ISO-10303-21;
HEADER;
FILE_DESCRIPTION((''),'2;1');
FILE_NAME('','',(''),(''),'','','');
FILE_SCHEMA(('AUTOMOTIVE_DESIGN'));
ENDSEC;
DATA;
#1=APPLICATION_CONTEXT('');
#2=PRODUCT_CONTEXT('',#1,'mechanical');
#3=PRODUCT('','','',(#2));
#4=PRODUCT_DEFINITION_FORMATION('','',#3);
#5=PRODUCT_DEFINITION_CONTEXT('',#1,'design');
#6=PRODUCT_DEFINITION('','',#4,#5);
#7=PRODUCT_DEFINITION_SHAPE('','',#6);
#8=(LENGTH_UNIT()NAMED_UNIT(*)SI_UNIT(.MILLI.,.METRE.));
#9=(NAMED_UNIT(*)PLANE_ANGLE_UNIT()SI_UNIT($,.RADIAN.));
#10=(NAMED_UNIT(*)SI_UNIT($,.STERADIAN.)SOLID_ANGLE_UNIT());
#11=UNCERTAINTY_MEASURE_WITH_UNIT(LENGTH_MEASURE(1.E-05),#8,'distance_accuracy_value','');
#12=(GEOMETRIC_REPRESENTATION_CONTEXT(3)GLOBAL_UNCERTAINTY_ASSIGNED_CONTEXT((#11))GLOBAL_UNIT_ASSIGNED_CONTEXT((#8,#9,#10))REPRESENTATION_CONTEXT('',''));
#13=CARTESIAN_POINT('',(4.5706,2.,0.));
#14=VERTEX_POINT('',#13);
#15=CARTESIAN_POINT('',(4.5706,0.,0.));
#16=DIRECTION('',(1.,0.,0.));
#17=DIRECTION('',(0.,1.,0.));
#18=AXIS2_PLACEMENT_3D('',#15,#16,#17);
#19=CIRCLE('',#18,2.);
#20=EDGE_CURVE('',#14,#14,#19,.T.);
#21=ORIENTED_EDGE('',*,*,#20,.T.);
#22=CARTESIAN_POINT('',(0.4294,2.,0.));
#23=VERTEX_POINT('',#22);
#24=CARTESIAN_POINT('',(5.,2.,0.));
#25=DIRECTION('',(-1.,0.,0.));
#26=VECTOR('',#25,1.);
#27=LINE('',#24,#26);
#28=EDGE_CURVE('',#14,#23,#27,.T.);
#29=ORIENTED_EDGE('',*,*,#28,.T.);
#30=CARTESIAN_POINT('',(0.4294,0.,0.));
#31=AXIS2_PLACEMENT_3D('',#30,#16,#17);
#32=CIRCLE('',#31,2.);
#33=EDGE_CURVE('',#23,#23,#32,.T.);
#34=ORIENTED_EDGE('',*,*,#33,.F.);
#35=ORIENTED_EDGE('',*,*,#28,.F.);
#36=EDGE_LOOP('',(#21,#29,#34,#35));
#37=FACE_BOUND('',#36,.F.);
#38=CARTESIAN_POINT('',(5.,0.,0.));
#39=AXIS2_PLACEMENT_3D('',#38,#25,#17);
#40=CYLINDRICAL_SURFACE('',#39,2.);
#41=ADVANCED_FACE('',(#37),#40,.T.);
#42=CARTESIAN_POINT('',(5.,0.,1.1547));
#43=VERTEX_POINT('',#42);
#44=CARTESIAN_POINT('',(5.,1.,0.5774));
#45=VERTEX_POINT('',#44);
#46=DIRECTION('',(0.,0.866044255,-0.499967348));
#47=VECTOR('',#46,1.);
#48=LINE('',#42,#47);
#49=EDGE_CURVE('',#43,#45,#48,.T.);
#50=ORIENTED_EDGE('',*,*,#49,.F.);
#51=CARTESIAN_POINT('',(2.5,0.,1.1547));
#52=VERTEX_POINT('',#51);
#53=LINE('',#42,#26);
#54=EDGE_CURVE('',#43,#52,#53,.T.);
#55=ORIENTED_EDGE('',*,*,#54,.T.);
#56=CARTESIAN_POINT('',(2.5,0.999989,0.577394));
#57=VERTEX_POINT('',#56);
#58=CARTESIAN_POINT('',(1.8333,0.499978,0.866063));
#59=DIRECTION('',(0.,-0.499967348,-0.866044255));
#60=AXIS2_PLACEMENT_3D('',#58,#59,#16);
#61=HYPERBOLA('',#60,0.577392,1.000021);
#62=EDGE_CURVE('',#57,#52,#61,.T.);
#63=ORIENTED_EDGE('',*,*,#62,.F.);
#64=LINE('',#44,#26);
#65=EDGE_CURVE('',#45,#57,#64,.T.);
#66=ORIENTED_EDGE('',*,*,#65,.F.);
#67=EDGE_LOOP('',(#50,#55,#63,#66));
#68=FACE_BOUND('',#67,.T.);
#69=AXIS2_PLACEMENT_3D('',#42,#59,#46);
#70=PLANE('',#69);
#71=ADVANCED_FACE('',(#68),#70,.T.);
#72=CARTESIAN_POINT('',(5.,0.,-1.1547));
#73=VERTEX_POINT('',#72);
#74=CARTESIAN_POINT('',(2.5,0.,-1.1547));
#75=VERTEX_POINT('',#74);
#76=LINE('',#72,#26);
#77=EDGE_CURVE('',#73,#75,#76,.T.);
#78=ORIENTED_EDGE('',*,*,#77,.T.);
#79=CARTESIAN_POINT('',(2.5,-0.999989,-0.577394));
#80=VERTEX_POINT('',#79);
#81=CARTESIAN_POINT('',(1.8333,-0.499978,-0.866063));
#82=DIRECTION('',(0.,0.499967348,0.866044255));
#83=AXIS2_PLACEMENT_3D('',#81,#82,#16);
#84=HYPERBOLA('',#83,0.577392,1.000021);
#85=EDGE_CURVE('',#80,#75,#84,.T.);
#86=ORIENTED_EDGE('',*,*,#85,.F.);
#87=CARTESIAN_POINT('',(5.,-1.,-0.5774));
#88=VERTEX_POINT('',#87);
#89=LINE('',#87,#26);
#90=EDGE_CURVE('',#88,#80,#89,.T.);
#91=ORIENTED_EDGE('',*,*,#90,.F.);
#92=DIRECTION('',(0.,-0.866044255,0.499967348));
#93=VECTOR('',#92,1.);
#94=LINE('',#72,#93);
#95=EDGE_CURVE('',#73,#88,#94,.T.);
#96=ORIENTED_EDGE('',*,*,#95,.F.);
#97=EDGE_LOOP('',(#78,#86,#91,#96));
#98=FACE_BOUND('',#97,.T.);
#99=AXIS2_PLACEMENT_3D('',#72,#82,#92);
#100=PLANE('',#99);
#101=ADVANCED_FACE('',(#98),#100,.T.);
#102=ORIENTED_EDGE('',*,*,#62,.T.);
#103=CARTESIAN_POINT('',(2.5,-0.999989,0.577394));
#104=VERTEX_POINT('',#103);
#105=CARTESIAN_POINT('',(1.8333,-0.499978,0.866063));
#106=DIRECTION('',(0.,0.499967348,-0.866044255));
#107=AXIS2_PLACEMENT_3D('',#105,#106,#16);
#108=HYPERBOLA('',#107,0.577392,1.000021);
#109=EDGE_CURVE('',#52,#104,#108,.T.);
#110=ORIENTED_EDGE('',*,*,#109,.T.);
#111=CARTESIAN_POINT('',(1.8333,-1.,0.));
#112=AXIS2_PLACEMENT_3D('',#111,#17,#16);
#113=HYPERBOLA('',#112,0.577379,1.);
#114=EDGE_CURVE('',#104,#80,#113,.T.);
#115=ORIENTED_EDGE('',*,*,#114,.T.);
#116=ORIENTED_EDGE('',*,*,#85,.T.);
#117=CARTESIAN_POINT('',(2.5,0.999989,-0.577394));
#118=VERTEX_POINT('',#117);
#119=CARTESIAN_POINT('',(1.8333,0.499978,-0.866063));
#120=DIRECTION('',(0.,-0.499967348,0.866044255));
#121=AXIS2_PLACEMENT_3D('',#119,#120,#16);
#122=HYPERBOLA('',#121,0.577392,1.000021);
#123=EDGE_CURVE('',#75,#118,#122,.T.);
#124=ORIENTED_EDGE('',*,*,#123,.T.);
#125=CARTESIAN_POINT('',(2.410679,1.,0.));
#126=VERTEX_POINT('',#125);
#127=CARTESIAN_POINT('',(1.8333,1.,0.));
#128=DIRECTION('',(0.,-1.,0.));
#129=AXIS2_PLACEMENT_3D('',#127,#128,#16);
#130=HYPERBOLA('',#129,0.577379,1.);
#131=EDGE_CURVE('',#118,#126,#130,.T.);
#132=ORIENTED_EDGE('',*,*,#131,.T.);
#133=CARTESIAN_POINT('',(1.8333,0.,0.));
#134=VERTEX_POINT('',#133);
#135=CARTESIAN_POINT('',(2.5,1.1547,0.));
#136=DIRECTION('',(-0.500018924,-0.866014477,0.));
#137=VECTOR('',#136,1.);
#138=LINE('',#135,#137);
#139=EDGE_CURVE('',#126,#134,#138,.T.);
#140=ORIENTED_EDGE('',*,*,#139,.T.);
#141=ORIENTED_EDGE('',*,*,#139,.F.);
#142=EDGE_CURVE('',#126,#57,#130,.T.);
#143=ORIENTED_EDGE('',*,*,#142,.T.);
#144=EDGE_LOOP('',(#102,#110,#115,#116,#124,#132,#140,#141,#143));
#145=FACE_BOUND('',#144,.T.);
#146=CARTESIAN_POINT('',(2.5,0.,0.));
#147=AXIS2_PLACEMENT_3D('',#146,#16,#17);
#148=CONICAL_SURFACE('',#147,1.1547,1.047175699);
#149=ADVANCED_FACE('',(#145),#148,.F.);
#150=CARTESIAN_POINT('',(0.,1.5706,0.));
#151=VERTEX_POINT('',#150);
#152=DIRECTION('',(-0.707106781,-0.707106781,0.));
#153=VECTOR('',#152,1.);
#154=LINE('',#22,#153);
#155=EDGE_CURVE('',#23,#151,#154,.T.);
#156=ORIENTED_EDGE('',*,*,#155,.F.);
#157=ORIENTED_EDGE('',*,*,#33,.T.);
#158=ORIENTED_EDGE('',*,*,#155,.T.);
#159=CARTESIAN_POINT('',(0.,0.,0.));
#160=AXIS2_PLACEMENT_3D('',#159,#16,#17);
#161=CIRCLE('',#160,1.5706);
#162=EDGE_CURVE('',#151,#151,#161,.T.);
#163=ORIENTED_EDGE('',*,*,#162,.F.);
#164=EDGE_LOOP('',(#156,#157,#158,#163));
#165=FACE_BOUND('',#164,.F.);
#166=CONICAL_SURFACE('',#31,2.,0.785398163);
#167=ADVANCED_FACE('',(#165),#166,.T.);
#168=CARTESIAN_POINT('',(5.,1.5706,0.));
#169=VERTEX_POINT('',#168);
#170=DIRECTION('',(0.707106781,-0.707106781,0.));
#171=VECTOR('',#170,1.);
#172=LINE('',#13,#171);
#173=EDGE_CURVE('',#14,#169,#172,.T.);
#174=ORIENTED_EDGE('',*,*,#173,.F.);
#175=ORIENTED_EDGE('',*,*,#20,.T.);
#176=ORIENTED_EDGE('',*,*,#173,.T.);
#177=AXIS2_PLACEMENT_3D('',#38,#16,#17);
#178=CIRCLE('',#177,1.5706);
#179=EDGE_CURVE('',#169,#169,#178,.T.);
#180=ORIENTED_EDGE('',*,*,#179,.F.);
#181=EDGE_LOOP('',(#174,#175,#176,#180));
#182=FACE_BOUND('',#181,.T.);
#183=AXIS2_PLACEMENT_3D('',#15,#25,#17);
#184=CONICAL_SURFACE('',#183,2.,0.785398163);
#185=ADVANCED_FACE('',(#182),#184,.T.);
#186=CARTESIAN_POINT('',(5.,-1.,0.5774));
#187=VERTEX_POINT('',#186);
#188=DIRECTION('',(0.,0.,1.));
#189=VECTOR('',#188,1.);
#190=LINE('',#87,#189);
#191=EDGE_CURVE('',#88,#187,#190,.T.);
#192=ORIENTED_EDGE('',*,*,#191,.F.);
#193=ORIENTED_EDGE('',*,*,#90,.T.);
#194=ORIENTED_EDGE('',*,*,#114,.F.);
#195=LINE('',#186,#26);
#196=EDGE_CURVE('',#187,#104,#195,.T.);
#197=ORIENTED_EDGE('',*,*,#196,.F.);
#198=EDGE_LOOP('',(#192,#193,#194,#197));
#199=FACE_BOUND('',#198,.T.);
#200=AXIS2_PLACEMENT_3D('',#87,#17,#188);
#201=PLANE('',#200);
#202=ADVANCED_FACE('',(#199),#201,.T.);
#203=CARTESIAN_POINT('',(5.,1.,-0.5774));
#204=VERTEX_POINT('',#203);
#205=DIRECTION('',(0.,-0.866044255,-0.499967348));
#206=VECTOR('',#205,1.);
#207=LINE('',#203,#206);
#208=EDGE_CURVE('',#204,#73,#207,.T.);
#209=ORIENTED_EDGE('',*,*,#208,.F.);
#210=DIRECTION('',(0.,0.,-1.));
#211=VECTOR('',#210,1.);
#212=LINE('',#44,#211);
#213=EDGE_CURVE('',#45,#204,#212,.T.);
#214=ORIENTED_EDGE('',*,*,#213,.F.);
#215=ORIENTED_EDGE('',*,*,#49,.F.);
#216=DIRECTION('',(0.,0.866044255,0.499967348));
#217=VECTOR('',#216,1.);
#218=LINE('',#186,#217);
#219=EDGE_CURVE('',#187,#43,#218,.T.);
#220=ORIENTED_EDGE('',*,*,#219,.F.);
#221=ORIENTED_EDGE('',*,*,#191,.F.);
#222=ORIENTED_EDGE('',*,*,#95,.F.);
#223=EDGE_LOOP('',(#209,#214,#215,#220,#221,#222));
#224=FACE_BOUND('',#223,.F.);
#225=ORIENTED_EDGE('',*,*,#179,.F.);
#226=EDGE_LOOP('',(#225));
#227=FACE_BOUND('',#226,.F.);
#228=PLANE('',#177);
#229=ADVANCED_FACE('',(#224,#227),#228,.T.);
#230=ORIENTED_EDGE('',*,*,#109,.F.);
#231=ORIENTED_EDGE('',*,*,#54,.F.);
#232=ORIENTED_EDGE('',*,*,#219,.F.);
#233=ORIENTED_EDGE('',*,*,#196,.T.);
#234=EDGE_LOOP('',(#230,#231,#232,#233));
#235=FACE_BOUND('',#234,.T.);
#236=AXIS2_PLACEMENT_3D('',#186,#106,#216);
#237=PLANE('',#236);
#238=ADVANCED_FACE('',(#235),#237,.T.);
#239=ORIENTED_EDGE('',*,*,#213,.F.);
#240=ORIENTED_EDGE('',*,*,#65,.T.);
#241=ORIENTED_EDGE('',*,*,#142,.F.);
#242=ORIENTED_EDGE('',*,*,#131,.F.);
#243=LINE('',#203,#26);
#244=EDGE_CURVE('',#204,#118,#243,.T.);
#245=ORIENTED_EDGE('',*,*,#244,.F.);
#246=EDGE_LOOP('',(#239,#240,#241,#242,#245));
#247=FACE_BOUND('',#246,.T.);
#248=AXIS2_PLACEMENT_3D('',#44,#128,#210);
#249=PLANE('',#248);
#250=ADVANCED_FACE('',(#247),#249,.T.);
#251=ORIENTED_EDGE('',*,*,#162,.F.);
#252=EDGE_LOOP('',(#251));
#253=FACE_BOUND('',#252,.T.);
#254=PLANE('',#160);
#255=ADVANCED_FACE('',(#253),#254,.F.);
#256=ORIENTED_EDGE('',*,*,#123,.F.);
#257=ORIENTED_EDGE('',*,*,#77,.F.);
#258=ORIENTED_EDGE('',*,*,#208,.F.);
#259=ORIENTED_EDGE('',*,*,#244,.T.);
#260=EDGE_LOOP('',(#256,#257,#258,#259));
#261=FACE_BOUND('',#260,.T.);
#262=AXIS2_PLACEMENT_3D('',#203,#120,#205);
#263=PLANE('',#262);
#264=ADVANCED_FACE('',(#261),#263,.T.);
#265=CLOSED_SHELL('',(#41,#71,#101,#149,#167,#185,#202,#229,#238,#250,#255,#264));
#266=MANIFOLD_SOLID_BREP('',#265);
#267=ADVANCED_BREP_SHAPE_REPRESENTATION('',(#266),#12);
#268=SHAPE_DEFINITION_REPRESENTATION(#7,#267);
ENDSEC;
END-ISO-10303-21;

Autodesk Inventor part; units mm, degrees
ref_plane "YZ Plane" through (0, 0, 0) normal (1, 0, 0) x (0, 1, 0)
ref_plane "XZ Plane" through (0, 0, 0) normal (0, 1, 0) x (-1, 0, 0)
sketch "Sketch1" plane through (0, 0, 0) normal (0, 0, 1) x (1, 0, 0)
  line L0 (0, 0) -> (1.8333, 0)
  line L1 (5, 1.1547) -> (5, 2)
  line L2 (5, 2) -> (0, 2)
  line L3 (5, 1.1547) -> (2.5, 1.1547)
  line L4 (2.5, 1.1547) -> (1.8333, 0)
  line L5 (0, -0.4) -> (0, 2.4) projected
  line L6 (0, 2) -> (0, 0)
  dimension "d0" = 2.5
  dimension "d1" = 60
  dimension "d2" = 4
  dimension "d3" = 2.3094
  dimension "d5" = 5
revolve "Body" add sketch "Sketch1" angle 360 about axis through (0, 0, 0) along (1, 0, 0)
chamfer "Chamfer1" distance 0.4294 angle 45 1 edges at (5, -2, 0) measured on face at (5, 1.6877, -0.2517)
sketch "Sketch2" plane through (5, 0, 0) normal (1, 0, 0) x (0, 0, -1)
  circle A0 centre (0, 0) radius 1.1547 projected
  line L0 (-0.5774, 1) -> (0.5774, 1)
  line L1 (0.5774, 1) -> (1.1547, 0)
  line L2 (1.1547, 0) -> (0.5774, -1)
  line L3 (0.5774, -1) -> (-0.5774, -1)
  line L4 (-0.5774, -1) -> (-1.1547, 0)
  line L5 (-1.1547, 0) -> (-0.5774, 1)
  point P0 (0, 0)
  point P1 (0, 0)
extrude "Slot" add sketch "Sketch2" against normal up to next contours L1 A0 | A0 L2 | L0 A0 | A0 L3 | L5 A0 | A0 L4
thread "Thread" size "M4x0.7" class "6g" standard "ISO Metric profile" length 5
chamfer "Chamfer2" distance 0.4294 angle 45 1 edges at (0, -2, 0) measured on face at (1.5235, 1.9741, -0.3208)
ref_plane "Work Plane1" through (2.5, 0, 0) normal (0, 0.5, 0.866) x (1, 0, 0)
equation "\"d0\" = INTI"
equation "\"d2\" = NND"
equation "\"d3\" = 1.1547 * SW"
equation "\"d5\" = NLG"
equation "\"d7\" = -0.5 * GD1 + 0.5 * NND"
equation "\"d8\" = FAWI"
equation "\"d29\" = -0.5 * GD1 + 0.5 * NND"
equation "\"d11\" = NLG"
equation "\"d13\" = -0.5 * GD1 + 0.5 * NND"
equation "\"d14\" = FAWI"
equation "\"d30\" = -0.5 * GD1 + 0.5 * NND"
equation "\"NND\" = 4"
equation "\"NLG\" = 5"
equation "\"INTI\" = 2.5"
equation "\"FAWI\" = 45deg"
equation "\"SW\" = 2"
equation "\"GD1\" = THREADDIA - 1.2269 * PTC"
equation "\"FAWI1\" = 45deg"
equation "\"GUL\" = 0.61345 * PTC"
equation "\"SPD\" = 2.5"
equation "\"SEWI\" = 90deg"
equation "\"TOA\" = 30deg"
equation "\"THREADDIA\" = 4"
equation "\"PTC\" = 0.7"
equation "\"GAL\" = 0.61345 * PTC"
equation "\"E0\" = 1.155 * SW"
properties part number "ISO 4026 - M4 x 5" material "Steel"
